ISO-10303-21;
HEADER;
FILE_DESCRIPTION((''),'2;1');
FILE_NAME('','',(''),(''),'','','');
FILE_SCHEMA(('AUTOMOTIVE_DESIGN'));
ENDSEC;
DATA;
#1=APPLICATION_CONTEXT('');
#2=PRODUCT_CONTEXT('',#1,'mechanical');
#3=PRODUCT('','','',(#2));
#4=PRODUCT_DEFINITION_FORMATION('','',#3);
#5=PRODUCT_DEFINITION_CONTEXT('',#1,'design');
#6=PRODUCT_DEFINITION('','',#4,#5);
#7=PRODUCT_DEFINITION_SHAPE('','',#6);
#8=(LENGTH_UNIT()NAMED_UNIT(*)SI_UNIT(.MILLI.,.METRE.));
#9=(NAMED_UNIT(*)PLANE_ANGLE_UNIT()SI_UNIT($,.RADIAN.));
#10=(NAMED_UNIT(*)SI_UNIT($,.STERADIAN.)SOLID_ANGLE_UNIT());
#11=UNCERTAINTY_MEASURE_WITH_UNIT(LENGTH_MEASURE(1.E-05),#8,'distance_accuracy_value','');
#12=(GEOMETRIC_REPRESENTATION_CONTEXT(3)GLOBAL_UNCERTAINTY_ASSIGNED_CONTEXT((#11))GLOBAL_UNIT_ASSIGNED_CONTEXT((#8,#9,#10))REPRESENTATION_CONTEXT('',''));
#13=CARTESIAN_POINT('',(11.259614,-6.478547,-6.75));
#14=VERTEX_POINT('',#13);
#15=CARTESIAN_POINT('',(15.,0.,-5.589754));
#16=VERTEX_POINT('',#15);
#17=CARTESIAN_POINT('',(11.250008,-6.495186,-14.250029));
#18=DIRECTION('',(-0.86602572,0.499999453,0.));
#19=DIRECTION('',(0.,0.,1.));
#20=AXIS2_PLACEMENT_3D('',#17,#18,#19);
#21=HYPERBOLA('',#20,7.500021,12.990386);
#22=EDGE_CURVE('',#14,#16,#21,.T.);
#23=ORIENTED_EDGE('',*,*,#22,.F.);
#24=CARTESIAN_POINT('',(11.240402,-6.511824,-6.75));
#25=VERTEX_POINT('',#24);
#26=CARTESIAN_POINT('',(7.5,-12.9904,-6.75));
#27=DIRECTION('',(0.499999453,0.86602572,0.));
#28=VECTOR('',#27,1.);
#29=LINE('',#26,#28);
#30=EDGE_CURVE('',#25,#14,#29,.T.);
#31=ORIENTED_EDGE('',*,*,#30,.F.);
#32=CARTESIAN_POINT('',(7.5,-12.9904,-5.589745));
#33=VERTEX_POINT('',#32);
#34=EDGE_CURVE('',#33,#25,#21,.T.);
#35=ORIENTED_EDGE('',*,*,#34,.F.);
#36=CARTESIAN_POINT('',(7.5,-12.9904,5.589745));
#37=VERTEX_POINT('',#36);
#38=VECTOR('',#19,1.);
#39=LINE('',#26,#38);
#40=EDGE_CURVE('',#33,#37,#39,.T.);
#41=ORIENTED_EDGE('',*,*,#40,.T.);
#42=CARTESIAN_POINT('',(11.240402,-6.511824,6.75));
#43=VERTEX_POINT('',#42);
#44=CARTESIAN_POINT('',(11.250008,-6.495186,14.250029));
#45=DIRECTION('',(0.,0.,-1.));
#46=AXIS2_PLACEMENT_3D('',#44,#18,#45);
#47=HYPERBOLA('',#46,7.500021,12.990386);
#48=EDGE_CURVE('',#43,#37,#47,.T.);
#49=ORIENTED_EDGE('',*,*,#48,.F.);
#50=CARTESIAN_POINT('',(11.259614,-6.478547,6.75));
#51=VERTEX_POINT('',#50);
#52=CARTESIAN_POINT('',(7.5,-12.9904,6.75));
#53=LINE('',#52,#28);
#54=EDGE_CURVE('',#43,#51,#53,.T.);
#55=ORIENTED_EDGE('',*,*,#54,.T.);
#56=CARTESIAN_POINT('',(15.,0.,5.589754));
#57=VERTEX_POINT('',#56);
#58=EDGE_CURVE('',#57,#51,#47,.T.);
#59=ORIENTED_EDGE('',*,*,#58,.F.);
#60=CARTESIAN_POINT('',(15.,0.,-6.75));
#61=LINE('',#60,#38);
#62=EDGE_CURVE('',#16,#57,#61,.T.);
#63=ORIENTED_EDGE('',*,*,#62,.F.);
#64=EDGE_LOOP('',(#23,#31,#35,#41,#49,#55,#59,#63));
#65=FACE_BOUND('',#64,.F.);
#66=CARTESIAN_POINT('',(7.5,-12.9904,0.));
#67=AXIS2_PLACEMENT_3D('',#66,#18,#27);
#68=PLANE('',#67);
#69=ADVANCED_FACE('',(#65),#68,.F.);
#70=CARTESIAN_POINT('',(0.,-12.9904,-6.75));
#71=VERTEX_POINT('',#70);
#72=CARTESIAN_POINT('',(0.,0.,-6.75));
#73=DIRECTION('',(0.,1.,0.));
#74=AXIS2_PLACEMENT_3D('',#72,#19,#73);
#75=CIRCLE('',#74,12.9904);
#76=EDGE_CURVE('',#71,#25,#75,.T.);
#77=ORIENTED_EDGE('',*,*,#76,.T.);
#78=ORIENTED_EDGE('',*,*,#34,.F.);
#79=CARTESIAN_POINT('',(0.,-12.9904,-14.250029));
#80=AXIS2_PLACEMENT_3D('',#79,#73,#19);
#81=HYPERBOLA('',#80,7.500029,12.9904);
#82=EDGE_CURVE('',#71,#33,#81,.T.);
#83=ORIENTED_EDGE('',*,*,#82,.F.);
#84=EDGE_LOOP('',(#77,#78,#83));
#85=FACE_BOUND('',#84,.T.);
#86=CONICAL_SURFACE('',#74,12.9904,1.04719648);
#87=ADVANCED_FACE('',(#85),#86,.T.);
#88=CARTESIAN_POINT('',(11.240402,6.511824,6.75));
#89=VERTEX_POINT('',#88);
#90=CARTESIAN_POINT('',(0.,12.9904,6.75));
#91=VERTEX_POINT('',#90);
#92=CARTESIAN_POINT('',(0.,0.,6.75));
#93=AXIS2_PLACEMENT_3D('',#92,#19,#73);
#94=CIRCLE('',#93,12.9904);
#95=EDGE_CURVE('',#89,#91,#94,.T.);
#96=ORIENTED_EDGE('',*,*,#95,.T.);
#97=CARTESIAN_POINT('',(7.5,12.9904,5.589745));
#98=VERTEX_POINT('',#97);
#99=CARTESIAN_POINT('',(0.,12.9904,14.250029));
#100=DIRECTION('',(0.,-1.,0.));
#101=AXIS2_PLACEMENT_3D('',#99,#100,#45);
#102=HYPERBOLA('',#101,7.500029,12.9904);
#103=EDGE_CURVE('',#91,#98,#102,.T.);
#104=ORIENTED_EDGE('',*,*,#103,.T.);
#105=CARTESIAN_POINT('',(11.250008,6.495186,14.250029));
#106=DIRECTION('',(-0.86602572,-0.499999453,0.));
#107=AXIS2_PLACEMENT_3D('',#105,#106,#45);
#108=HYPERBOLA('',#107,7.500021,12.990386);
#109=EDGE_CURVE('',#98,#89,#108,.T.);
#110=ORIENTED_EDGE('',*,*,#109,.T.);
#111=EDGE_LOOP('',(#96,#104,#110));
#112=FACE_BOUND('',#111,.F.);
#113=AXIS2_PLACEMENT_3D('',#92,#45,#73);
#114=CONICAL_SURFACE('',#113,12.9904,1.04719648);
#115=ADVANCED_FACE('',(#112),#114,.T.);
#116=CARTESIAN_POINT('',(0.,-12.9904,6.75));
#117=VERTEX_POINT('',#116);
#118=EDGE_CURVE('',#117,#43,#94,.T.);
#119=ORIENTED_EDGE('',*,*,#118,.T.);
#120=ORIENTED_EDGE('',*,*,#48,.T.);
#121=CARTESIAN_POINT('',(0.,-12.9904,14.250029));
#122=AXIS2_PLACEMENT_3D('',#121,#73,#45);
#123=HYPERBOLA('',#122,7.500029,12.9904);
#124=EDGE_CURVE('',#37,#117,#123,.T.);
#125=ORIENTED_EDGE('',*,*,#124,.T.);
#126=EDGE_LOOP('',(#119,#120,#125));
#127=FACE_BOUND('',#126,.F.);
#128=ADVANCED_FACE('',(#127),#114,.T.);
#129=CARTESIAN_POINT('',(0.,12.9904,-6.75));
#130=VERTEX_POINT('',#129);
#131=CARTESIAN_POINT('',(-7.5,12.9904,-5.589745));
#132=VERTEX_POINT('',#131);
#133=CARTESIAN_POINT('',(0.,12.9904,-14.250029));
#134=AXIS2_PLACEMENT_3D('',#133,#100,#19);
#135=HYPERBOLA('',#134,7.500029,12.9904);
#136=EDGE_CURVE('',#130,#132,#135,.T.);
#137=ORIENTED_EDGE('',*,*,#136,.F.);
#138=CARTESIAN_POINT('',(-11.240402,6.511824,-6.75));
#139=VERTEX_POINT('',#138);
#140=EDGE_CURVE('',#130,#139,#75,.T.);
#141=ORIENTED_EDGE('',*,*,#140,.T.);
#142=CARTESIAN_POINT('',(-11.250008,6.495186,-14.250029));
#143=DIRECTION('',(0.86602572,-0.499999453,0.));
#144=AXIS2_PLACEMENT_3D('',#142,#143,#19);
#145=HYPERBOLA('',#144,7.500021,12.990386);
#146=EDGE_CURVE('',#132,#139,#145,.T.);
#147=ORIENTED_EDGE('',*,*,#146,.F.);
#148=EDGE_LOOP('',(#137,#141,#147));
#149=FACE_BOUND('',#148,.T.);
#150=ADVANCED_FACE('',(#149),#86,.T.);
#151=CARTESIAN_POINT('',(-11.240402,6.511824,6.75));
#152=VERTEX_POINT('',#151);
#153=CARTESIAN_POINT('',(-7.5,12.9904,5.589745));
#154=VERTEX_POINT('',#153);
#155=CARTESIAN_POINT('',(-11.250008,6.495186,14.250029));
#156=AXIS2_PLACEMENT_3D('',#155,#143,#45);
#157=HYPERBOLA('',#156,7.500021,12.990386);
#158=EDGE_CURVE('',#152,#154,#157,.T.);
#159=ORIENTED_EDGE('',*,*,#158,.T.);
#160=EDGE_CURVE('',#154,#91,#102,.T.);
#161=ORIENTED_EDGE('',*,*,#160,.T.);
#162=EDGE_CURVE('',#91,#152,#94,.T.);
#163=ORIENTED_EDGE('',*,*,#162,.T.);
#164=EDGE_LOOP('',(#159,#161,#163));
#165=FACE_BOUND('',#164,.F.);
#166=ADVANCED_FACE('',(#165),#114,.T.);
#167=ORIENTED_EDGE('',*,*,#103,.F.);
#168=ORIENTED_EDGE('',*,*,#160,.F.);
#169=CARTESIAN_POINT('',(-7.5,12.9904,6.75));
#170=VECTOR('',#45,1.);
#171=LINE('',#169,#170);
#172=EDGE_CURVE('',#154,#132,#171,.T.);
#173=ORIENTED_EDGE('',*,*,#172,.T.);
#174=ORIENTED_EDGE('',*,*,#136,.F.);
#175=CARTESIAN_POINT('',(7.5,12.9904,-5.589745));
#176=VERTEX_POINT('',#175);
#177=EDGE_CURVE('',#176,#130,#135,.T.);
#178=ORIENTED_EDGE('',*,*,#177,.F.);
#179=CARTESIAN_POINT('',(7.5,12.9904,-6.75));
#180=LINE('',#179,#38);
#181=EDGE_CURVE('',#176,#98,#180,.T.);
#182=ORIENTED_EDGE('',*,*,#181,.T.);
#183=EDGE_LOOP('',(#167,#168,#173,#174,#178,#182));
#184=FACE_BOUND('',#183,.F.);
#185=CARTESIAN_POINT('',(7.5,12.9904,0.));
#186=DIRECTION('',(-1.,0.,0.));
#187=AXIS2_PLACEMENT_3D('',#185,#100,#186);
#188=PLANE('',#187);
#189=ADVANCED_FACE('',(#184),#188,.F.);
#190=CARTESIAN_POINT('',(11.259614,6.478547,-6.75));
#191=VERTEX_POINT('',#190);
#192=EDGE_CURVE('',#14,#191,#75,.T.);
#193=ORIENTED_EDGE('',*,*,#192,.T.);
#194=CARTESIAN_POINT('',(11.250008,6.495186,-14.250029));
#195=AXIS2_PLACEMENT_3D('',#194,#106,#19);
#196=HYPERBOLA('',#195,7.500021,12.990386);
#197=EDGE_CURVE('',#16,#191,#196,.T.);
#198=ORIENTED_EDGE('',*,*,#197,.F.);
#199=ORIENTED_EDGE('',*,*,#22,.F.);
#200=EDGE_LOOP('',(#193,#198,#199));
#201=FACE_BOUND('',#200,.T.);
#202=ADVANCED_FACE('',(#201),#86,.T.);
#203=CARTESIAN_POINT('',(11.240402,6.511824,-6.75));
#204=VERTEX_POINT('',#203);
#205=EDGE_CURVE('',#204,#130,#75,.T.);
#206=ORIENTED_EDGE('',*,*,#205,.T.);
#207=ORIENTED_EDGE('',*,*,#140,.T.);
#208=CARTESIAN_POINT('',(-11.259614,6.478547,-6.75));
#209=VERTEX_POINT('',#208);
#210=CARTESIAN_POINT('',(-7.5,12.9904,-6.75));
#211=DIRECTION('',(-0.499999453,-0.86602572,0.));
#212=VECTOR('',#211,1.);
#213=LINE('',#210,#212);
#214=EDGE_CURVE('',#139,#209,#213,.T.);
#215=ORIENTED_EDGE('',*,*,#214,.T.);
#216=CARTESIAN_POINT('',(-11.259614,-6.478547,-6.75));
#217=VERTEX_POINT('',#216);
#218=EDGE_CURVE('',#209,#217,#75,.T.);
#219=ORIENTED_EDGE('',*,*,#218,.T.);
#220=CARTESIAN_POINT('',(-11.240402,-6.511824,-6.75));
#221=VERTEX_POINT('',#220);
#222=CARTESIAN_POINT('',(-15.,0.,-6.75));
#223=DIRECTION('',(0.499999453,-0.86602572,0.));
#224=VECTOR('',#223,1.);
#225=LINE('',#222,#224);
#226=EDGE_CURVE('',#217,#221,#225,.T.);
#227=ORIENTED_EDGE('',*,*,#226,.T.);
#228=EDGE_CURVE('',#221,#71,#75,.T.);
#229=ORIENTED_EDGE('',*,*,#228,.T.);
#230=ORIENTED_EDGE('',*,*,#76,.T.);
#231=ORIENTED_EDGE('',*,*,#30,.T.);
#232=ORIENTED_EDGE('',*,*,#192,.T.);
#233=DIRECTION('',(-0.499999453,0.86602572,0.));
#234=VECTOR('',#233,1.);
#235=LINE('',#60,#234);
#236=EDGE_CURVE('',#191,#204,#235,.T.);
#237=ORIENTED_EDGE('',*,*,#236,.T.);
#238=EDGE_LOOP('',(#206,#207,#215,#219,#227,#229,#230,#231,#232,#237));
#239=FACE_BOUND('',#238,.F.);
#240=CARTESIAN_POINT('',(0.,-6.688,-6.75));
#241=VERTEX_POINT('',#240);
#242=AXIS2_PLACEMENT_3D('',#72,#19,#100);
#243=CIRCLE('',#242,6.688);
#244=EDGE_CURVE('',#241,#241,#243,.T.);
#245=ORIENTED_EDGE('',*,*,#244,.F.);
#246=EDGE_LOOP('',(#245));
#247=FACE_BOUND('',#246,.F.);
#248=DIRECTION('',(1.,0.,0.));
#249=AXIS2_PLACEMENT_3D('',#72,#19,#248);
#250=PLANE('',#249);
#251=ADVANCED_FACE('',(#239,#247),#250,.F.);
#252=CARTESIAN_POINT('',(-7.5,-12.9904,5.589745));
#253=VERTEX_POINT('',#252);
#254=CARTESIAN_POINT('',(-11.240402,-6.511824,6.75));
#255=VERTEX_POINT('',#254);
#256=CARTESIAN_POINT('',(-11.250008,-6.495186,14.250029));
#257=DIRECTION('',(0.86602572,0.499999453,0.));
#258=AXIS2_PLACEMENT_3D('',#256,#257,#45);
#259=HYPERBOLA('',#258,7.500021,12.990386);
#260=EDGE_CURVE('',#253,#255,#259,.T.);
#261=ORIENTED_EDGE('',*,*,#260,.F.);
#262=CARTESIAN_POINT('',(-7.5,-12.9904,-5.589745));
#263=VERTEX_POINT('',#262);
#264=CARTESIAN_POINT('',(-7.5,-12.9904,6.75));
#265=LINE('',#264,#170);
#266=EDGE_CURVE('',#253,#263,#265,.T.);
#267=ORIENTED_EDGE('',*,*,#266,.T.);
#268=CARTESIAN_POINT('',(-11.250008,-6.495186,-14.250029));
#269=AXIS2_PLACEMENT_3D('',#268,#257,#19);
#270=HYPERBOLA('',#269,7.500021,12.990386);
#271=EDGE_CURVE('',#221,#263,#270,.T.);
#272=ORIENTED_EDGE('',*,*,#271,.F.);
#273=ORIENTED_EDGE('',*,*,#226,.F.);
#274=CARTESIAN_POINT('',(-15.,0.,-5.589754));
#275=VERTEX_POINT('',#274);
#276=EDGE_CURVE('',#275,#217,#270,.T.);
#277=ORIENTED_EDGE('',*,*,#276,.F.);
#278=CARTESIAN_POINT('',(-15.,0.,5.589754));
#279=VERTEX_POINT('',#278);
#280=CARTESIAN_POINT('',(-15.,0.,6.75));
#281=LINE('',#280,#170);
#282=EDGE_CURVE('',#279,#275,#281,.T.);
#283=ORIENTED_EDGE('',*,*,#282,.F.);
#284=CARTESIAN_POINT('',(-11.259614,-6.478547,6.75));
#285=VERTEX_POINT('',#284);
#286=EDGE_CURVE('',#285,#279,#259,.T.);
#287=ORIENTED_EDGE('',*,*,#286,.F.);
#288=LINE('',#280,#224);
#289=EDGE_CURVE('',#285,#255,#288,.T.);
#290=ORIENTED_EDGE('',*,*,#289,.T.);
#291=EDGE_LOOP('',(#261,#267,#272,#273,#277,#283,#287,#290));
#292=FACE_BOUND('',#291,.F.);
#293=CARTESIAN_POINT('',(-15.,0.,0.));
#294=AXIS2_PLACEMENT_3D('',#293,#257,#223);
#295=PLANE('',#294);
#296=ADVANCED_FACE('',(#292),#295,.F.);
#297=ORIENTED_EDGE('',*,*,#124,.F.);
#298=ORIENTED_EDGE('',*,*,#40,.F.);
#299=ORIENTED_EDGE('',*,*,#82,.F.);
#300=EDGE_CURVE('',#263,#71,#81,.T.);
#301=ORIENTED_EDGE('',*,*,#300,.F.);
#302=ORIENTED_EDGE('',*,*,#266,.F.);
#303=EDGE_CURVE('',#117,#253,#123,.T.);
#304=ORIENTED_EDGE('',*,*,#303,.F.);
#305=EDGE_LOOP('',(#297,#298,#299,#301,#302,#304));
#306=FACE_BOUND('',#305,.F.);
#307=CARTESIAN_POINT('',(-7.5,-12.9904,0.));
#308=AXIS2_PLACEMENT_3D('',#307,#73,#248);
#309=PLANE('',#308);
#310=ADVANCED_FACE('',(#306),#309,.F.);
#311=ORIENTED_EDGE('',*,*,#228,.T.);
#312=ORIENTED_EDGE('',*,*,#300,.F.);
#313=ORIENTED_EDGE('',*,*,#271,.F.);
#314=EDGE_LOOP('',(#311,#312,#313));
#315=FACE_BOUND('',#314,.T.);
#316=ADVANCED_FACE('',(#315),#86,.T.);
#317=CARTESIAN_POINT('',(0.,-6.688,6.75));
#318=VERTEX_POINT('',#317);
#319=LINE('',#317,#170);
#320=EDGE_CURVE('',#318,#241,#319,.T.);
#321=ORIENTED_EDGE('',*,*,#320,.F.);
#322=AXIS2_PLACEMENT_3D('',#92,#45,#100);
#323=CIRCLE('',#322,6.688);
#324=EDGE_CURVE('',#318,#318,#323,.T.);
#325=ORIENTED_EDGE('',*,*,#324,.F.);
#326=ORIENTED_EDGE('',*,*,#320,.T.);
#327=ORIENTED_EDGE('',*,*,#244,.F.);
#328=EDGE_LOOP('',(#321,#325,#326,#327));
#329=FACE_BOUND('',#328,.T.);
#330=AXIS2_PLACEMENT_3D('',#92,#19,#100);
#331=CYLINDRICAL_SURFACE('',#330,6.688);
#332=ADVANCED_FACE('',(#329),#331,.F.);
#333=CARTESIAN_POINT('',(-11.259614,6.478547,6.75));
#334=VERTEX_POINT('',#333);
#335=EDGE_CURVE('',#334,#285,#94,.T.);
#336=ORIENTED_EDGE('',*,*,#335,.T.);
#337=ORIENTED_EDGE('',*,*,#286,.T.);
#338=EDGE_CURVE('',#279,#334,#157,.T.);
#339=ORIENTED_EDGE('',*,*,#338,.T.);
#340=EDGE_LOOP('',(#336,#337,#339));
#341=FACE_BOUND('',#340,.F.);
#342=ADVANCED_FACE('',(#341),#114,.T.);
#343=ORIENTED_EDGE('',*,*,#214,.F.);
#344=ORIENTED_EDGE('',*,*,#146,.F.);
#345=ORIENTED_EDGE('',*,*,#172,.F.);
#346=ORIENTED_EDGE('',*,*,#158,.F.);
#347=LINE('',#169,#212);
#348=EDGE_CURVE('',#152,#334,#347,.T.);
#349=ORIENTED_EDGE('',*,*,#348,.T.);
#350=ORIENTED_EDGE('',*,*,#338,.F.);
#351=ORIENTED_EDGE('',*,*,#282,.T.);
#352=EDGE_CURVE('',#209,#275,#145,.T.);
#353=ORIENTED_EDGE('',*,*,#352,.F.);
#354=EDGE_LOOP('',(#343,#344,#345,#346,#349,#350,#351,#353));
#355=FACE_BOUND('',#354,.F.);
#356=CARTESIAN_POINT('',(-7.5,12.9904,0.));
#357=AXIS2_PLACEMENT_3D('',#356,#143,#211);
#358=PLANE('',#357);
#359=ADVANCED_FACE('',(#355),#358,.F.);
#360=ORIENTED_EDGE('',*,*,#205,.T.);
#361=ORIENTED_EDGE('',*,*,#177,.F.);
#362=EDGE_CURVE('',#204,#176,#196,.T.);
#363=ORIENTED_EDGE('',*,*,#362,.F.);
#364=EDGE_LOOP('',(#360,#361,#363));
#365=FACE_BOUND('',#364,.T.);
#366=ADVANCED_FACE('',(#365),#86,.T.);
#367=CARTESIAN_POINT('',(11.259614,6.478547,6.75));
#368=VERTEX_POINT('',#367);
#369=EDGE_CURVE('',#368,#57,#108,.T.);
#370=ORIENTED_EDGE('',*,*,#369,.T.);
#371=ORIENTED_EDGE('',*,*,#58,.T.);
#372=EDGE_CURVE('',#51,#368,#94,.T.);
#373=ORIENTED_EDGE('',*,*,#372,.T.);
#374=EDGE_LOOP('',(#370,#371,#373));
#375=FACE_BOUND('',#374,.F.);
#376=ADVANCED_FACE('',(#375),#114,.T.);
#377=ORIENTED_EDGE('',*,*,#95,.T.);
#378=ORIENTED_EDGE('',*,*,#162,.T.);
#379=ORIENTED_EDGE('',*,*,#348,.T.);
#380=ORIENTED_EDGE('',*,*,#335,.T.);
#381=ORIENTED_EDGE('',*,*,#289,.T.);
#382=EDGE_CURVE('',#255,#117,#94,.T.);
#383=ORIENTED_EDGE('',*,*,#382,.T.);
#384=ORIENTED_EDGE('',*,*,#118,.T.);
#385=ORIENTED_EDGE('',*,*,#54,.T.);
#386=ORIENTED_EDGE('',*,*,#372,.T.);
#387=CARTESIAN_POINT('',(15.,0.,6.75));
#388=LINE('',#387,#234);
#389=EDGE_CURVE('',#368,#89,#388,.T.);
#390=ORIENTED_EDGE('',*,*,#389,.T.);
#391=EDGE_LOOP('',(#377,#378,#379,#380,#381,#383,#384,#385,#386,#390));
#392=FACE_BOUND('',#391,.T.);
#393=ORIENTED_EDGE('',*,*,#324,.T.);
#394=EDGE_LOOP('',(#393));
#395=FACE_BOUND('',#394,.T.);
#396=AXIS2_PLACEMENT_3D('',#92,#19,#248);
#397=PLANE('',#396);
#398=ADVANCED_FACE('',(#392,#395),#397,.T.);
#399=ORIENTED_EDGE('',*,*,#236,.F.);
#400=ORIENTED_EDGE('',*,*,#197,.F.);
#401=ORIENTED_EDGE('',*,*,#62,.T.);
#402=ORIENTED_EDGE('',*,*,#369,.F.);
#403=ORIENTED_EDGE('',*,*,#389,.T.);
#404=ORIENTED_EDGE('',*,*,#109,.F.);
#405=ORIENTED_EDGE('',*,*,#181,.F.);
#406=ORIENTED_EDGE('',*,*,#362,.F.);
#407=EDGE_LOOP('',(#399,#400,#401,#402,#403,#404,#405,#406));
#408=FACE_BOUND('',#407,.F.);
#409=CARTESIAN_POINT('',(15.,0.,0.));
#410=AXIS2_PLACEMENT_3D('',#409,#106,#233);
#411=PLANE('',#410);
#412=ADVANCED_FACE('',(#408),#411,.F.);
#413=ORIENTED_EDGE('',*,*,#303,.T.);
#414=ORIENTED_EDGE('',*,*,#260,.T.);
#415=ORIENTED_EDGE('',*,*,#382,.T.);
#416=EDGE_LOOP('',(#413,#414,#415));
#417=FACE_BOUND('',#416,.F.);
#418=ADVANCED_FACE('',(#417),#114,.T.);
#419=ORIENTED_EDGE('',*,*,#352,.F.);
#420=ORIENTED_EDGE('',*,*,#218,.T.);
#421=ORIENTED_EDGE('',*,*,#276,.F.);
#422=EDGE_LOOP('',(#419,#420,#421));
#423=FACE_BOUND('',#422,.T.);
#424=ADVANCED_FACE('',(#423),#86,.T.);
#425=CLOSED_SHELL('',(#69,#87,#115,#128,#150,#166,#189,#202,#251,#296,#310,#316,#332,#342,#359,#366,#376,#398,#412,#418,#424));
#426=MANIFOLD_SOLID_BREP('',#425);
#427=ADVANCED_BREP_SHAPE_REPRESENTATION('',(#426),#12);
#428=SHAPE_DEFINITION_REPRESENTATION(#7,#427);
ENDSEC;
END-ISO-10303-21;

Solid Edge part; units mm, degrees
sketch "Sketch1" plane through (0, 0, 0) normal (0, 0, 1) x (1, 0, 0)
  line L0 (-7.5, -12.9904) -> (7.5, -12.9904)
  line L1 (7.5, -12.9904) -> (15, 0)
  line L2 (15, 0) -> (7.5, 12.9904)
  line L3 (7.5, 12.9904) -> (-7.5, 12.9904)
  line L4 (-7.5, 12.9904) -> (-15, 0)
  line L5 (-15, 0) -> (-7.5, -12.9904)
extrude "Protrusion1" add sketch "Sketch1" along normal mid plane 13.5
sketch "Sketch2" plane through (0, 0, 0) normal (1, 0, 0) x (0, 1, 0)
  line L0 (12.9904, -6.75) -> (34.5982, 5.7253)
revolve "RevolvedCutout1" cut sketch "Sketch2" angle 360 about axis through (0, 0, -57) along (0, 0, 1) material side at (0, 23.8193, -0.5557)
mirror "Mirror1" about plane through (0, 0, 0) normal (0, 0, 1) of "RevolvedCutout1"
hole "Hole_1" at (0, 0, 6.75) direction (0, 0, -1) diameter 13.376 end through all
properties part number "5" material "Fe - 410 W"
